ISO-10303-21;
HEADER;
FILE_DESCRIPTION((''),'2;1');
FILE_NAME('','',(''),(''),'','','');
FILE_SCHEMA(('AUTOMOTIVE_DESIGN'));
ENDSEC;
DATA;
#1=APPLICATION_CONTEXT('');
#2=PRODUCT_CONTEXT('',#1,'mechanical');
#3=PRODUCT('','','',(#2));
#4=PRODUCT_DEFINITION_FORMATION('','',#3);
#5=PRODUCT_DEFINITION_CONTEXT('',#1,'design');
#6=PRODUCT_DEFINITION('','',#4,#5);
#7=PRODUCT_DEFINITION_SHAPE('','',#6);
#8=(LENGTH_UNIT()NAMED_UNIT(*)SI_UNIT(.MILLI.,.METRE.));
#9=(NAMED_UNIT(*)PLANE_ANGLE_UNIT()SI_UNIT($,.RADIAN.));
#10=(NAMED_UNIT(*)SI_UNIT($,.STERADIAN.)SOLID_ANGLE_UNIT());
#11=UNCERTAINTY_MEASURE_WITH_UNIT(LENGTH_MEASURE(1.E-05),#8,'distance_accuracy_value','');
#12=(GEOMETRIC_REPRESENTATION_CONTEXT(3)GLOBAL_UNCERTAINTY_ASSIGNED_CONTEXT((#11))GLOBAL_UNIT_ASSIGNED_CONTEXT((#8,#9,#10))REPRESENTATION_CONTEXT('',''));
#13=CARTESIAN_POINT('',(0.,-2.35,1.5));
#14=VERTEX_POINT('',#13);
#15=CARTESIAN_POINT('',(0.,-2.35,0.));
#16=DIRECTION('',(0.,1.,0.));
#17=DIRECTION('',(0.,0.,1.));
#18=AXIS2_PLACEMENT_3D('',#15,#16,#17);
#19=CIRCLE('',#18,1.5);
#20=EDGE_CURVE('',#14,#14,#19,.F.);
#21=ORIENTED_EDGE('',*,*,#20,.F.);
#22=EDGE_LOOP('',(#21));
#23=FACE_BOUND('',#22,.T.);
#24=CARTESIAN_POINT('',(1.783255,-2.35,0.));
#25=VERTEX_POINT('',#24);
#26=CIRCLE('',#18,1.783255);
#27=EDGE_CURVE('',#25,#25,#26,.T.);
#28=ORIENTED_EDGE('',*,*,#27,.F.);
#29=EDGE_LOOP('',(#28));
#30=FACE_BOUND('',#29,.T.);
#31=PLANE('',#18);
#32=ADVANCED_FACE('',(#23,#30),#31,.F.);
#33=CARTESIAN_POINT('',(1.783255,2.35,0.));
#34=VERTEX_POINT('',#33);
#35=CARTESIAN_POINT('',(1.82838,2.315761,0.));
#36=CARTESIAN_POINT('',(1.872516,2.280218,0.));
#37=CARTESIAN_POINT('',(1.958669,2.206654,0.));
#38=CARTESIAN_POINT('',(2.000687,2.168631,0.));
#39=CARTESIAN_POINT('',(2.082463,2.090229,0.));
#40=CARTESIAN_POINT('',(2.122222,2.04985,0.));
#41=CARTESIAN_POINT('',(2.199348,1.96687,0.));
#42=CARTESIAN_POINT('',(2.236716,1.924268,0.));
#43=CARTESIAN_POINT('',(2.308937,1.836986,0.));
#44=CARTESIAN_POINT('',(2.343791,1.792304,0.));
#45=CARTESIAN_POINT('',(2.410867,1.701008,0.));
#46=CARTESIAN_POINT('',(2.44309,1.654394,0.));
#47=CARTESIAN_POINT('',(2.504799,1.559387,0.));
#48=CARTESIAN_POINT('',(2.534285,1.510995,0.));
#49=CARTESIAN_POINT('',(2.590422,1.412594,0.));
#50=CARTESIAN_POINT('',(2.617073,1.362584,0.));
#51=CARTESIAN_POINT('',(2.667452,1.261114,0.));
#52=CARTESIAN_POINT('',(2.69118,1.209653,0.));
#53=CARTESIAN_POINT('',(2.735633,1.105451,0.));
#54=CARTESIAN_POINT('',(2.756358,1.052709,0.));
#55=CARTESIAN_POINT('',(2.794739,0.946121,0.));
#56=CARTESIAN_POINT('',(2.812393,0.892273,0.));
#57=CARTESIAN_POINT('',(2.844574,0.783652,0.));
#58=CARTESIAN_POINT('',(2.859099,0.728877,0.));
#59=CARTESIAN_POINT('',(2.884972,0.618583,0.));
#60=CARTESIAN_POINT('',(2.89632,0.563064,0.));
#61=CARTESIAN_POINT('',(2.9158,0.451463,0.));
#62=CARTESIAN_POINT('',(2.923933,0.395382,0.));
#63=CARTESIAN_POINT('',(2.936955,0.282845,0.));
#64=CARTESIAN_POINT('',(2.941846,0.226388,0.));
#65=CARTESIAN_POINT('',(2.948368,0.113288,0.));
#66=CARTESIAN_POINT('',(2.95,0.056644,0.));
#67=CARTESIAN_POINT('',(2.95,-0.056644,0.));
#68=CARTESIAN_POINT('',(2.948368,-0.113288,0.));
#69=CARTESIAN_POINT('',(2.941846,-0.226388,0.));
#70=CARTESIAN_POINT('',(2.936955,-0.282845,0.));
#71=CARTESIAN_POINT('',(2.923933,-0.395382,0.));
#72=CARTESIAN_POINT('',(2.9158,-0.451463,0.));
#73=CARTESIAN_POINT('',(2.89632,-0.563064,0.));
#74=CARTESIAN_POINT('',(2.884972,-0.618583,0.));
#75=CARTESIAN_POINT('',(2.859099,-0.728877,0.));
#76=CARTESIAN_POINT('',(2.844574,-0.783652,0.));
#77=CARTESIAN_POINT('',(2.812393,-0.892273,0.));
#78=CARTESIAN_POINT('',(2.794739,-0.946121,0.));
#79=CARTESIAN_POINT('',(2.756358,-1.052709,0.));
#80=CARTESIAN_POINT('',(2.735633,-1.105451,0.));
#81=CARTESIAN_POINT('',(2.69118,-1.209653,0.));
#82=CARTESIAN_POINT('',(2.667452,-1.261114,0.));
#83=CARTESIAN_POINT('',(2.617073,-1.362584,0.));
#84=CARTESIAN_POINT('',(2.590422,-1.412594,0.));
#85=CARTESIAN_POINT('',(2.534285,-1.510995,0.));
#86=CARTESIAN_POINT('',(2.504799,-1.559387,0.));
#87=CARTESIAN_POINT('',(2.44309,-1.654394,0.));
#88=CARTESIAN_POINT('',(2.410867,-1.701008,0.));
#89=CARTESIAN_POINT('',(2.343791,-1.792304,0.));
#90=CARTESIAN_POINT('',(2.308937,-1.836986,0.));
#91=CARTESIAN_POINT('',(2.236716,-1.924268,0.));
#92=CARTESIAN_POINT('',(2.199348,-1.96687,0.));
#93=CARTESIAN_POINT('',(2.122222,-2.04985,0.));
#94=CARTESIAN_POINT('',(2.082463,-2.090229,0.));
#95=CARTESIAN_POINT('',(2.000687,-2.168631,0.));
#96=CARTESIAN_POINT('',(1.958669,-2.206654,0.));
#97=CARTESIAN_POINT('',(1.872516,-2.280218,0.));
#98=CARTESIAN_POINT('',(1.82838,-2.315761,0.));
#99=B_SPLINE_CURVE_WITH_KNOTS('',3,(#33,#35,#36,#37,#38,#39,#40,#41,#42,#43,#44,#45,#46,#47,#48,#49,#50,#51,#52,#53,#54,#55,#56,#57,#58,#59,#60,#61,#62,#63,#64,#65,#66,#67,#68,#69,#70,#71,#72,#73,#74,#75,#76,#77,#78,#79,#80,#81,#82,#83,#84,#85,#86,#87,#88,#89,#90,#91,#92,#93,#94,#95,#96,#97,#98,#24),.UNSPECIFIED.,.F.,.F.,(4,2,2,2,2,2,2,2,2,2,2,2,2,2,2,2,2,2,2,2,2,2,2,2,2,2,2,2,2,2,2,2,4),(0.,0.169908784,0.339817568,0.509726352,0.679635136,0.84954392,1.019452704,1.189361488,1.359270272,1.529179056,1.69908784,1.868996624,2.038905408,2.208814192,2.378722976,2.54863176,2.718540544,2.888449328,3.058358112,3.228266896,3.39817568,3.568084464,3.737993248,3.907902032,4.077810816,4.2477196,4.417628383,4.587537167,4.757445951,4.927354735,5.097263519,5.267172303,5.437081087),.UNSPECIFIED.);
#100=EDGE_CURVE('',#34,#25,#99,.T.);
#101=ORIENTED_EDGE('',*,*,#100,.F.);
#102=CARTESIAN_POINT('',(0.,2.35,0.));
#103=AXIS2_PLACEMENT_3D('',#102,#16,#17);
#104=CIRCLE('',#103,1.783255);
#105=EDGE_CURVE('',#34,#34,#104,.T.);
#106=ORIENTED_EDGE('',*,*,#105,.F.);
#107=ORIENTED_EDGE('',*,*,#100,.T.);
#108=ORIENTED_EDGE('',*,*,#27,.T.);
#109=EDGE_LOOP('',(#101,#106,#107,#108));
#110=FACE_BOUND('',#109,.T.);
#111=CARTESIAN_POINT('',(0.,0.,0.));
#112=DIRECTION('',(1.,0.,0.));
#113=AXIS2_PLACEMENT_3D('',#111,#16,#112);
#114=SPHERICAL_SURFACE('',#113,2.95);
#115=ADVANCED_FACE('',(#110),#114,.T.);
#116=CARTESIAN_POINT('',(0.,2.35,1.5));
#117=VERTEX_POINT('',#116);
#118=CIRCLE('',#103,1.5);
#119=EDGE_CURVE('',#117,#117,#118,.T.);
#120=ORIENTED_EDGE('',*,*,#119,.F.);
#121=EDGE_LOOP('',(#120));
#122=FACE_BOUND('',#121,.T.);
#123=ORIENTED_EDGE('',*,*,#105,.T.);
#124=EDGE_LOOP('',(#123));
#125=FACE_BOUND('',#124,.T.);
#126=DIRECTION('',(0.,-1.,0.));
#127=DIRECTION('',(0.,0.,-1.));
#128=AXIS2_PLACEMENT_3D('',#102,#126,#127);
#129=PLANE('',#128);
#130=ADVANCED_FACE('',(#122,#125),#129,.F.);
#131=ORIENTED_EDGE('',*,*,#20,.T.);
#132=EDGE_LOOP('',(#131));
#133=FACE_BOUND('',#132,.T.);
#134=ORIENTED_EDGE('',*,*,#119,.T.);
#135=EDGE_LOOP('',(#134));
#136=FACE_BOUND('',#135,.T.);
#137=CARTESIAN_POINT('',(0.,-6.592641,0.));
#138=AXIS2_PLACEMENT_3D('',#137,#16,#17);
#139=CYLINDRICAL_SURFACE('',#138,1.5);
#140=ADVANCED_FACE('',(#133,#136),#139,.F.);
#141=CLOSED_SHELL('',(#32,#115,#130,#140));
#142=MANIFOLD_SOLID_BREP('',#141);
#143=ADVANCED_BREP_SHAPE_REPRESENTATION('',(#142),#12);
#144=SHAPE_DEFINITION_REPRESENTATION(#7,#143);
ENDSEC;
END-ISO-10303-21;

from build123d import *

# Parameters (mm, degrees)
SKETCH3_R          = 1.5
CUT_EXTRUDE1_DEPTH = 4.7


with BuildPart() as part:
    # Sketch2 → Revolve1 (revolve)
    with BuildSketch(Plane.XY):
        with BuildLine():
            Line((0, 2.35), (0, -2.35))
            Line((0, -2.35), (1.78325545, -2.35))
            ThreePointArc((1.78325545, -2.35), (2.95, 0), (1.78325545, 2.35))
            Line((1.78325545, 2.35), (0, 2.35))
        make_face()
    revolve(axis=Axis((0, 2.35, 0), (0, -1, 0)))

    # Sketch3 → Cut-Extrude1 (cut)
    with BuildSketch(Plane(origin=(0, 2.35, 0), x_dir=(1, 0, 0), z_dir=(0, 1, 0))):
        with Locations(Location((0, 0, 0), (0, 0, 270))):
            Circle(SKETCH3_R)
    extrude(amount=-CUT_EXTRUDE1_DEPTH, mode=Mode.SUBTRACT)


solid = part.part
